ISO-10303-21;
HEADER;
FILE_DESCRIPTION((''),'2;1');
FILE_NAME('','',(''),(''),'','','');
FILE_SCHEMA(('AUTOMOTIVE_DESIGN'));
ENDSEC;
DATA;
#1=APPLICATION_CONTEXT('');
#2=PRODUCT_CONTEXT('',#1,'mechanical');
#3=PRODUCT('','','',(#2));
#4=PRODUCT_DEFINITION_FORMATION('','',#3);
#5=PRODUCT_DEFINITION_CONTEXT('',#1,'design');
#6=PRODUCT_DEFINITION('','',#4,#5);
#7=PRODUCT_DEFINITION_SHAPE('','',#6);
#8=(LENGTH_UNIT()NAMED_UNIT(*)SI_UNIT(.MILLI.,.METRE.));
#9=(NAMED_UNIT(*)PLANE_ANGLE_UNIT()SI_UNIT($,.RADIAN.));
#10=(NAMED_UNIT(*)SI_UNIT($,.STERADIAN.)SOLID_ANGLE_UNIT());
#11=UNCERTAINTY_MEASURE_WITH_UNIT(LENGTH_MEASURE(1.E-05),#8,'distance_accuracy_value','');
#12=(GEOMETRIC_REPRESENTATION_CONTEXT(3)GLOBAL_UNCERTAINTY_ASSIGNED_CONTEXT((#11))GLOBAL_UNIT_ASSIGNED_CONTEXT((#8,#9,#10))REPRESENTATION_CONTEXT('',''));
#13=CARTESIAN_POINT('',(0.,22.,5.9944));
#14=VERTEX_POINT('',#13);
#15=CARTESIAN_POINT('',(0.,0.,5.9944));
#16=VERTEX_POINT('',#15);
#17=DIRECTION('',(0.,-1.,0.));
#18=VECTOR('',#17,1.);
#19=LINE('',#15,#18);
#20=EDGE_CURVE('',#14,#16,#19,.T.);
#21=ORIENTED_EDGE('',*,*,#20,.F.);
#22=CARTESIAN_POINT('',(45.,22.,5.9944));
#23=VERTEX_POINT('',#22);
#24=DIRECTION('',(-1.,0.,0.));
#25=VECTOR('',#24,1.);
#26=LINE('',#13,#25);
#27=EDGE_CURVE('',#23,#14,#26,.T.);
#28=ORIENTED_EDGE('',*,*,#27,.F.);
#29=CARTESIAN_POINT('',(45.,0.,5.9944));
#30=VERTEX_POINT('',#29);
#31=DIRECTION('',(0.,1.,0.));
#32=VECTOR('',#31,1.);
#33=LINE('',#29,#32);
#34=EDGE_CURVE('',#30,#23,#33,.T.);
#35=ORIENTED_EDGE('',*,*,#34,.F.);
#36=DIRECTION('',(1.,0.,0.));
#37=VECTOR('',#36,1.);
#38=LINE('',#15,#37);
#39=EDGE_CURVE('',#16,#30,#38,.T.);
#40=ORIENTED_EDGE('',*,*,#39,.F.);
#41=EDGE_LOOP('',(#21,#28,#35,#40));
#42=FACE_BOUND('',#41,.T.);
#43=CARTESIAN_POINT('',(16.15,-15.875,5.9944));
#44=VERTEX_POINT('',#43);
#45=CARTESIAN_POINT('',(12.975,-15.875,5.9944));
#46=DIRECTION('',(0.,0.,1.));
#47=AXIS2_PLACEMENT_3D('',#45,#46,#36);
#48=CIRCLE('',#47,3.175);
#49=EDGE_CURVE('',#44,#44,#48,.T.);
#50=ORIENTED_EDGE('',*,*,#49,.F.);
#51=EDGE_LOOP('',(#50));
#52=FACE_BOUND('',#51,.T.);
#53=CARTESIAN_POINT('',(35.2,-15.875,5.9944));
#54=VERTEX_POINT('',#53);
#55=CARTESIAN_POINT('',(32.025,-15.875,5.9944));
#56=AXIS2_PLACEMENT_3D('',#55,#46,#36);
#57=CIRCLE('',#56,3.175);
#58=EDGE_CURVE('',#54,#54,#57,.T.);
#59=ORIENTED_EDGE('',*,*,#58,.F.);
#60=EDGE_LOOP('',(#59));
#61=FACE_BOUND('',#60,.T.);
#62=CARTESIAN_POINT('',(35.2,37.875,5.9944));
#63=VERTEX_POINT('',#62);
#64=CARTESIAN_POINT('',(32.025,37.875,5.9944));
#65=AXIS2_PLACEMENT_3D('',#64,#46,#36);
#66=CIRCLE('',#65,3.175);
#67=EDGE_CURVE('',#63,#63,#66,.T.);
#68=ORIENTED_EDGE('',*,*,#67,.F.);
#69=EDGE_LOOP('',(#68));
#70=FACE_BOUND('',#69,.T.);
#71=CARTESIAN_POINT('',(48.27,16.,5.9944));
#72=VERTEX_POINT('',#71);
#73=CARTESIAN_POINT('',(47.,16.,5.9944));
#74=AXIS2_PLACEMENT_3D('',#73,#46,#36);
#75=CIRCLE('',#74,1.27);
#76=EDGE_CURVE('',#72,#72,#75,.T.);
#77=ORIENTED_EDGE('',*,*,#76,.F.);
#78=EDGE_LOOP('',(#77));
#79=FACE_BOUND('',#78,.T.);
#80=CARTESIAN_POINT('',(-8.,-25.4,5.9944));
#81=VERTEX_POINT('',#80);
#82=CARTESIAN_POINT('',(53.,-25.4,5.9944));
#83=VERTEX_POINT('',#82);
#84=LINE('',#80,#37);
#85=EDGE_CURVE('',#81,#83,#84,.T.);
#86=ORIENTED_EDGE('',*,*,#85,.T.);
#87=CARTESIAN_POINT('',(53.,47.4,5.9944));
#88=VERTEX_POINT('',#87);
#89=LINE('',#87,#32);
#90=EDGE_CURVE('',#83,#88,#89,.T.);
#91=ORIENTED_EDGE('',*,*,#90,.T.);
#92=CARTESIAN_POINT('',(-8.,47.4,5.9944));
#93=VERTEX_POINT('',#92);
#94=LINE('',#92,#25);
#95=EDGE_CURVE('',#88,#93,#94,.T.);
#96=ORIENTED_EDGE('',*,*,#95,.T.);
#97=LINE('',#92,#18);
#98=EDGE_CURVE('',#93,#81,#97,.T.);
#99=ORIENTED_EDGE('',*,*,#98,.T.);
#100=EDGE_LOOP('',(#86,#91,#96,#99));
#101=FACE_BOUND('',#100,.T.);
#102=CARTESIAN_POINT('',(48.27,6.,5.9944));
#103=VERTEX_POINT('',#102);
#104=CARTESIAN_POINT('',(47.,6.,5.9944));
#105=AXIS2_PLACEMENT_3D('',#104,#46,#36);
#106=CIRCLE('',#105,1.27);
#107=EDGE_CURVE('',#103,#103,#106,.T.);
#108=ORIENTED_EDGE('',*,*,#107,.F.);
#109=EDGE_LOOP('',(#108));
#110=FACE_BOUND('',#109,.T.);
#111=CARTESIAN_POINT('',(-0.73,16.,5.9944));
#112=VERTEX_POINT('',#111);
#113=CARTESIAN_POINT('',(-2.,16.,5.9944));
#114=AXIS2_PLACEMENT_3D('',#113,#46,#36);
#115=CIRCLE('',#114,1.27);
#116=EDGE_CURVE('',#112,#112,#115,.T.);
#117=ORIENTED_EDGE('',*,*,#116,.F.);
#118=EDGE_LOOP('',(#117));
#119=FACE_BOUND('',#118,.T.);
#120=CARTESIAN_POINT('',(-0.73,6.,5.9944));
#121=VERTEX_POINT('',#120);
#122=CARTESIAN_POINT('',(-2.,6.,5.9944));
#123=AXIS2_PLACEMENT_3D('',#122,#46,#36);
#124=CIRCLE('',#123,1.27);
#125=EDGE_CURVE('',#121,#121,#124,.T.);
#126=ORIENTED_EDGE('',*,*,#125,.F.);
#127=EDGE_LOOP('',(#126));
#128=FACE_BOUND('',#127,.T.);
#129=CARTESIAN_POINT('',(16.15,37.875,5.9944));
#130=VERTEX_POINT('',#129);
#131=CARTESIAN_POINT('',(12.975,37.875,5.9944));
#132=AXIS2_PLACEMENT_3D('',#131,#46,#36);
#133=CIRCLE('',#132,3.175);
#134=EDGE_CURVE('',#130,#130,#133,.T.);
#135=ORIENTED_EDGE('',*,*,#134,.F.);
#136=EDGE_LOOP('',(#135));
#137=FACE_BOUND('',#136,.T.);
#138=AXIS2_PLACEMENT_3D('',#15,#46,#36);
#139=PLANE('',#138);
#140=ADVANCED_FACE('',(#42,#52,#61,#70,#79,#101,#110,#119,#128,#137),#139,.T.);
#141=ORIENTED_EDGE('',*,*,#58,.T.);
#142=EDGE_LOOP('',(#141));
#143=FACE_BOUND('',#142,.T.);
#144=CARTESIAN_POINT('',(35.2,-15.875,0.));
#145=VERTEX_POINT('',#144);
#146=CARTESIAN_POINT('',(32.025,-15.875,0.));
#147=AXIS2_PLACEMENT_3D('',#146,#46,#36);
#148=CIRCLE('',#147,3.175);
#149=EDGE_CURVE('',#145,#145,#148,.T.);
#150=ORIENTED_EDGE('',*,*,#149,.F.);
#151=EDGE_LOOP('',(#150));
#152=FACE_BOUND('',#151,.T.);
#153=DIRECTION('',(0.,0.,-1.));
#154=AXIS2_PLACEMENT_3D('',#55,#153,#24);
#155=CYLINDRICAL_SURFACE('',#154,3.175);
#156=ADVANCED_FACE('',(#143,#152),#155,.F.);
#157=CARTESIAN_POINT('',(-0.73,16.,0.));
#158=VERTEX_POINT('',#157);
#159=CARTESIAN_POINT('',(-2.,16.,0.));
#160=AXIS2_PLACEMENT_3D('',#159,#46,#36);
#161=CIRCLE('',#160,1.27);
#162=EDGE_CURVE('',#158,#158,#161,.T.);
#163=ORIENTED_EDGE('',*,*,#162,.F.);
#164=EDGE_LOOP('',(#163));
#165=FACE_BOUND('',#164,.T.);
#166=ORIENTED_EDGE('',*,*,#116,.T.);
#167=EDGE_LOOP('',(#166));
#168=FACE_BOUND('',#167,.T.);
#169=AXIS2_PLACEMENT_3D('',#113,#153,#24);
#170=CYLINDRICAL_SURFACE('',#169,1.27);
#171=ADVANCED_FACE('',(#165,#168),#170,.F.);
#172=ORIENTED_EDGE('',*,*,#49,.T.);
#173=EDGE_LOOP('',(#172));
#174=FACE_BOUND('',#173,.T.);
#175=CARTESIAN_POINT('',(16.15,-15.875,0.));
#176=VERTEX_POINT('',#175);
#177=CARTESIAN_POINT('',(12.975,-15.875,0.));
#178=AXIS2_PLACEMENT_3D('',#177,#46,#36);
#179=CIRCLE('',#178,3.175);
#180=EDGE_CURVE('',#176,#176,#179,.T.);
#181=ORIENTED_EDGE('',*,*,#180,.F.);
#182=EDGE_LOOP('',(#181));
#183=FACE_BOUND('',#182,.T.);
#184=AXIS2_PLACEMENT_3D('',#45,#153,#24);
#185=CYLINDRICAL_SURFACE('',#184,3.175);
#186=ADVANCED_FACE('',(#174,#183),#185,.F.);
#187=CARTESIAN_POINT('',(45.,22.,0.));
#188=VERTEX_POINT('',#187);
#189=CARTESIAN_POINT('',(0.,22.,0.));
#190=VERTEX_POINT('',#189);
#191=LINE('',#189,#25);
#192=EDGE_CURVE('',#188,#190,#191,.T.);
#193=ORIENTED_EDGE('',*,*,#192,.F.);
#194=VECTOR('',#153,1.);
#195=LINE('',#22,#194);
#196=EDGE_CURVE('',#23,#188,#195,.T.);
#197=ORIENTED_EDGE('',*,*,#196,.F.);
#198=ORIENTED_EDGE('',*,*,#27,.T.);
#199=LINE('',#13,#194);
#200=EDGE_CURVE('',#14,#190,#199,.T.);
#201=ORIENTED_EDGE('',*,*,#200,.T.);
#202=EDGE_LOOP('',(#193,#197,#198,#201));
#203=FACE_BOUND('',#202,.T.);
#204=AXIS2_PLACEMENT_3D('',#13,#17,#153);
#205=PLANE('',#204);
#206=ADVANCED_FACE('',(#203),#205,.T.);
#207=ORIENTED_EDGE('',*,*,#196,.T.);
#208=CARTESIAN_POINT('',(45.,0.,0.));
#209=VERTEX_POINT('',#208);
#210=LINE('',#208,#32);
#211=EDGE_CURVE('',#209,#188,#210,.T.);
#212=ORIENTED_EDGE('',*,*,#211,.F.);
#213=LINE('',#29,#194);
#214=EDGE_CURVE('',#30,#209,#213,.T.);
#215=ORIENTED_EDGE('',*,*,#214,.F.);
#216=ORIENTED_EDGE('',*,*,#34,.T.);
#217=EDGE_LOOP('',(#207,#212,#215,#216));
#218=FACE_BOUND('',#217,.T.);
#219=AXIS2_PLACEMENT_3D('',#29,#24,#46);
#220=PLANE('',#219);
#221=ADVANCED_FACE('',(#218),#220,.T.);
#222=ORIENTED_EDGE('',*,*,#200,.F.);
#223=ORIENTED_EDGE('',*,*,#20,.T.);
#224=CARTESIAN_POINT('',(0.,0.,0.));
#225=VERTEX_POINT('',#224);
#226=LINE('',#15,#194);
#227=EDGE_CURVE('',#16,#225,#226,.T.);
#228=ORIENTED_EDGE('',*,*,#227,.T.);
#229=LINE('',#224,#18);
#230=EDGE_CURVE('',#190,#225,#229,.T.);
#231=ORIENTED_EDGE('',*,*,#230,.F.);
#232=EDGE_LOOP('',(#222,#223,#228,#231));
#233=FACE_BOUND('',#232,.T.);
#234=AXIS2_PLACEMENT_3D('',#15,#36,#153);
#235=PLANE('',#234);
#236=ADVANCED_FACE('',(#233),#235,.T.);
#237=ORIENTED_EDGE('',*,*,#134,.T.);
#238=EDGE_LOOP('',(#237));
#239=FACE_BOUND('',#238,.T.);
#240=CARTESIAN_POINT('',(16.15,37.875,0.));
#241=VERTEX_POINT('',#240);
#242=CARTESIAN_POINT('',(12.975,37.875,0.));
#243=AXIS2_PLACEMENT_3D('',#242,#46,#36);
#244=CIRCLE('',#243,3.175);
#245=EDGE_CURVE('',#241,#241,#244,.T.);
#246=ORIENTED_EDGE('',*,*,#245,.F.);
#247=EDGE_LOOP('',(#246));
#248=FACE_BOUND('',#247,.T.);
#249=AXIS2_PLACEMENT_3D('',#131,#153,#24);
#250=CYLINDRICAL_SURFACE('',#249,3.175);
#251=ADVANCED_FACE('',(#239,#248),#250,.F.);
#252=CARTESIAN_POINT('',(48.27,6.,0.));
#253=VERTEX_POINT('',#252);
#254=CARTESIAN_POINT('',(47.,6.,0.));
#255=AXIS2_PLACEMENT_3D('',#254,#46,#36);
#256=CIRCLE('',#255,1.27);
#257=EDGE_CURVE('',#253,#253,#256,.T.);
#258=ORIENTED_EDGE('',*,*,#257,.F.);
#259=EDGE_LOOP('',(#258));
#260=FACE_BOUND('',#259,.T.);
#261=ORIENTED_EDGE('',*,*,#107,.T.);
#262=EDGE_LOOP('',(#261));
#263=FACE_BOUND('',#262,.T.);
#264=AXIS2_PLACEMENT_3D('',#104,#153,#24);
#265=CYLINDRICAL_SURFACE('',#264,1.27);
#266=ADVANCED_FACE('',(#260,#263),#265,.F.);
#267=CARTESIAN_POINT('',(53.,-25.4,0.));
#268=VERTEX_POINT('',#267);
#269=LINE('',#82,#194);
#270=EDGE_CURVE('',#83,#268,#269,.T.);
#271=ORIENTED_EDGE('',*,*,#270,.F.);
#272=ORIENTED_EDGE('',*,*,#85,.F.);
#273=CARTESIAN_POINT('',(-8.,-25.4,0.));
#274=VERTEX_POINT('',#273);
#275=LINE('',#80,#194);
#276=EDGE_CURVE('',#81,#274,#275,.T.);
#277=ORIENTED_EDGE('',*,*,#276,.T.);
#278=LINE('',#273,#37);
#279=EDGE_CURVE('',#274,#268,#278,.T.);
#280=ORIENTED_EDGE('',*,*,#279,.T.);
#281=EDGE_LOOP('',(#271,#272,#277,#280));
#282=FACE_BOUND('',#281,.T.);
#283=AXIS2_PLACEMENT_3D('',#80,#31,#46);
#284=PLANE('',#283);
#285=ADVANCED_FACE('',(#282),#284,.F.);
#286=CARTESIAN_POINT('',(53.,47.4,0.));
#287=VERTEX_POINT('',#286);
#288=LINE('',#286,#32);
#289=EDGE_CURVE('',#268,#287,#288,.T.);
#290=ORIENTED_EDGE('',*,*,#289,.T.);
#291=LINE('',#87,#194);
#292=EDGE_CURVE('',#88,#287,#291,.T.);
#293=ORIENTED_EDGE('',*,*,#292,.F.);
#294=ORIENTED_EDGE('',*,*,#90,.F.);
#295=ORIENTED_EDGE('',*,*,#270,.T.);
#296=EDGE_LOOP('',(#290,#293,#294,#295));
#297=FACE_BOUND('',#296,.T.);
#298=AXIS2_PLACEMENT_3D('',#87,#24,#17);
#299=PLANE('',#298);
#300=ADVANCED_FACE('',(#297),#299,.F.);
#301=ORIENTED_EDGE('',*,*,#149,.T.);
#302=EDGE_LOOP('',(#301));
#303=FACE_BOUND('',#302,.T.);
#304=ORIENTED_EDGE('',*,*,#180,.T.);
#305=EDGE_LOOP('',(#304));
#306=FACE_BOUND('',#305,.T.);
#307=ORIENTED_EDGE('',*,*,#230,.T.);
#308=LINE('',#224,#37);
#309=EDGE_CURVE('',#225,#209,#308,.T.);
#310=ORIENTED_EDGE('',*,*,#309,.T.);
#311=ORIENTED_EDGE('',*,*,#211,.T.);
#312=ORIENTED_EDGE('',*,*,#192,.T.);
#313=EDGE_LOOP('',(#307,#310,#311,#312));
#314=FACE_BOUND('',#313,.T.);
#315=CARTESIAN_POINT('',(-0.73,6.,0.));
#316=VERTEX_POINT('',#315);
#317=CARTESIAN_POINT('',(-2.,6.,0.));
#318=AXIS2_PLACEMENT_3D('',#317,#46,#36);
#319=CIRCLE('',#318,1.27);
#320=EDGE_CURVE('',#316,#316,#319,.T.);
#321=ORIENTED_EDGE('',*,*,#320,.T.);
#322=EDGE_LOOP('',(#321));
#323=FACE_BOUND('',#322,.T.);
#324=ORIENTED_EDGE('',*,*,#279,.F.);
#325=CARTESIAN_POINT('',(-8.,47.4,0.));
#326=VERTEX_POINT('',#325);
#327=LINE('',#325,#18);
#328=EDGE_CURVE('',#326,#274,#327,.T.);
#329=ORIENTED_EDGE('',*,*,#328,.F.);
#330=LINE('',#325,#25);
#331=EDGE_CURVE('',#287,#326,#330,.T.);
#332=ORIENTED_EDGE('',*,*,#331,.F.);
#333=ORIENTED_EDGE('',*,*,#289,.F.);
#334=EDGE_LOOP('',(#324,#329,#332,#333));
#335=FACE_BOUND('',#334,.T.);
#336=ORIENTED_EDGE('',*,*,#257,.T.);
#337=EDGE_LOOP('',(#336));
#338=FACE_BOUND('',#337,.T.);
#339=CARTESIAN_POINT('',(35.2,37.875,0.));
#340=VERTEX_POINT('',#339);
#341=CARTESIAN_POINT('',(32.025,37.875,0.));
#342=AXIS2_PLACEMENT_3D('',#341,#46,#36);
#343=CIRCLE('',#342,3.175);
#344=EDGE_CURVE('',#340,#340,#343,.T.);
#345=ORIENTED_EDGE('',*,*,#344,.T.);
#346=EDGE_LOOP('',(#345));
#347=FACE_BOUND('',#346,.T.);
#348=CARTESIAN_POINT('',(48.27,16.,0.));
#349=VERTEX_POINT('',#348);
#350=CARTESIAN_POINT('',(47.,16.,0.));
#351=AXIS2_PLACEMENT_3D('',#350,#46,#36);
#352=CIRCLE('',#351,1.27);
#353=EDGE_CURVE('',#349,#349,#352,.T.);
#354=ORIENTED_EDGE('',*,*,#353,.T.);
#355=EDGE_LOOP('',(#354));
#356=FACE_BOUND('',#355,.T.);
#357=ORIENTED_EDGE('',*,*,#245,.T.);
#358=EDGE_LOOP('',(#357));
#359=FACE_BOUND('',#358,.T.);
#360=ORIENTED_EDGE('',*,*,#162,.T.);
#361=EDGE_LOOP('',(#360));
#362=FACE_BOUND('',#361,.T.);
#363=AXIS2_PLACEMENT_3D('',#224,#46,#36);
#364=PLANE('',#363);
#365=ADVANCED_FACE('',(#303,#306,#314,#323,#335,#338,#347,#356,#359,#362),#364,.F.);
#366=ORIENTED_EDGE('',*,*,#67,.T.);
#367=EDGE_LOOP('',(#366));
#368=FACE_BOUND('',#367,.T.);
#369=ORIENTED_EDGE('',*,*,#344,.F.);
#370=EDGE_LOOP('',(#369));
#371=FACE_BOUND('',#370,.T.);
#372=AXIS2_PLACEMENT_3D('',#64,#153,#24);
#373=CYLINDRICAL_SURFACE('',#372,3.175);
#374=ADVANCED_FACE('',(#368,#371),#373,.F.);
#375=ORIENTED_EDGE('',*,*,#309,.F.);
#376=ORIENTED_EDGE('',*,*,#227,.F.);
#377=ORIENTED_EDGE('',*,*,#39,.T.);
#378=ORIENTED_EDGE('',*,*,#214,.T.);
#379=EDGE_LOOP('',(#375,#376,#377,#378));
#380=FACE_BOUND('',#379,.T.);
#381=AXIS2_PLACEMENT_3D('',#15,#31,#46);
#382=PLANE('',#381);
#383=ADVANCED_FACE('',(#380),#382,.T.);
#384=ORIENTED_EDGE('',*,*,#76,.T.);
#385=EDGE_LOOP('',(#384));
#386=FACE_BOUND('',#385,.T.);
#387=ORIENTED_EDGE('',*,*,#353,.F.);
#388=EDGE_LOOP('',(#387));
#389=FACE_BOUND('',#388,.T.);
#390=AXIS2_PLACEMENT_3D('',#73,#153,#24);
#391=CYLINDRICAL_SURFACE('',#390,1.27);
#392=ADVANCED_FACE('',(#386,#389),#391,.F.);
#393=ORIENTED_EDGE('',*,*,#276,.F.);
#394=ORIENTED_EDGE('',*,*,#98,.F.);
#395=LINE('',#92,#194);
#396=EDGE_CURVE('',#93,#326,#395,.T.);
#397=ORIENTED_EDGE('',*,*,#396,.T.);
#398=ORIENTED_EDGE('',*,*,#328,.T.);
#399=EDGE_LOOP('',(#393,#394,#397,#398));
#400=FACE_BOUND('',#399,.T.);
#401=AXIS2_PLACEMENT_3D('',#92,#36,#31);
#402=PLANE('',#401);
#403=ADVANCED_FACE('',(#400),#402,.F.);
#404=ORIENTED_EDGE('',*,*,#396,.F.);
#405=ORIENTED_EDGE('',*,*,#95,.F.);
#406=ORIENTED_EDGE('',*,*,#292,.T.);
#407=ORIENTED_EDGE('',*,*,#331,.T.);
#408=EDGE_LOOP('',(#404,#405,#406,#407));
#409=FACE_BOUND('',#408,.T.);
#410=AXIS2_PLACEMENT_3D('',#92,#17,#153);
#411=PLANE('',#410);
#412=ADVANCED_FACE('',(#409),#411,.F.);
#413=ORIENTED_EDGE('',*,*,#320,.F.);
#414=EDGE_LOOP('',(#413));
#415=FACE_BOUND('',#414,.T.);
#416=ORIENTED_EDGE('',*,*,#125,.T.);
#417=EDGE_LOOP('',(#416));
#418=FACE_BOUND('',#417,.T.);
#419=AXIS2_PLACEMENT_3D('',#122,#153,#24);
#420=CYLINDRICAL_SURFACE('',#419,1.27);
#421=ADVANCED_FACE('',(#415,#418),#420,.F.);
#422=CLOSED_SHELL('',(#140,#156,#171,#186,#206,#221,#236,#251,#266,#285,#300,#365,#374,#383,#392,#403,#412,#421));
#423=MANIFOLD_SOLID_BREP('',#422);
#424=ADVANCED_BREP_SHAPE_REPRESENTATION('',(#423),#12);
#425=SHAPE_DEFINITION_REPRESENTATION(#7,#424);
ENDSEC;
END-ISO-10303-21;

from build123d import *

# Parameters (mm, degrees)
SKETCH1_W           = 61
SKETCH1_H           = 72.8
SKETCH1_R           = 1.27
SKETCH1_R_2         = 3.175
SKETCH1_W_2         = 45
SKETCH1_H_2         = 22
BOSS_EXTRUDE1_DEPTH = 5.9944


with BuildPart() as part:
    # Sketch1 → Boss-Extrude1 (new body)
    with BuildSketch(Plane.XY):
        with Locations((22.5, 11)):
            Rectangle(SKETCH1_W, SKETCH1_H)
        with Locations((-2, 16)):
            Circle(SKETCH1_R, mode=Mode.SUBTRACT)
        with Locations((-2, 6)):
            Circle(SKETCH1_R, mode=Mode.SUBTRACT)
        with Locations((47, 16)):
            Circle(SKETCH1_R, mode=Mode.SUBTRACT)
        with Locations((47, 6)):
            Circle(SKETCH1_R, mode=Mode.SUBTRACT)
        with Locations((12.975, -15.875)):
            Circle(SKETCH1_R_2, mode=Mode.SUBTRACT)
        with Locations((12.975, 37.875)):
            Circle(SKETCH1_R_2, mode=Mode.SUBTRACT)
        with Locations((32.025, 37.875)):
            Circle(SKETCH1_R_2, mode=Mode.SUBTRACT)
        with Locations((32.025, -15.875)):
            Circle(SKETCH1_R_2, mode=Mode.SUBTRACT)
        with Locations((22.5, 11)):
            Rectangle(SKETCH1_W_2, SKETCH1_H_2, mode=Mode.SUBTRACT)
    extrude(amount=BOSS_EXTRUDE1_DEPTH)


solid = part.part
